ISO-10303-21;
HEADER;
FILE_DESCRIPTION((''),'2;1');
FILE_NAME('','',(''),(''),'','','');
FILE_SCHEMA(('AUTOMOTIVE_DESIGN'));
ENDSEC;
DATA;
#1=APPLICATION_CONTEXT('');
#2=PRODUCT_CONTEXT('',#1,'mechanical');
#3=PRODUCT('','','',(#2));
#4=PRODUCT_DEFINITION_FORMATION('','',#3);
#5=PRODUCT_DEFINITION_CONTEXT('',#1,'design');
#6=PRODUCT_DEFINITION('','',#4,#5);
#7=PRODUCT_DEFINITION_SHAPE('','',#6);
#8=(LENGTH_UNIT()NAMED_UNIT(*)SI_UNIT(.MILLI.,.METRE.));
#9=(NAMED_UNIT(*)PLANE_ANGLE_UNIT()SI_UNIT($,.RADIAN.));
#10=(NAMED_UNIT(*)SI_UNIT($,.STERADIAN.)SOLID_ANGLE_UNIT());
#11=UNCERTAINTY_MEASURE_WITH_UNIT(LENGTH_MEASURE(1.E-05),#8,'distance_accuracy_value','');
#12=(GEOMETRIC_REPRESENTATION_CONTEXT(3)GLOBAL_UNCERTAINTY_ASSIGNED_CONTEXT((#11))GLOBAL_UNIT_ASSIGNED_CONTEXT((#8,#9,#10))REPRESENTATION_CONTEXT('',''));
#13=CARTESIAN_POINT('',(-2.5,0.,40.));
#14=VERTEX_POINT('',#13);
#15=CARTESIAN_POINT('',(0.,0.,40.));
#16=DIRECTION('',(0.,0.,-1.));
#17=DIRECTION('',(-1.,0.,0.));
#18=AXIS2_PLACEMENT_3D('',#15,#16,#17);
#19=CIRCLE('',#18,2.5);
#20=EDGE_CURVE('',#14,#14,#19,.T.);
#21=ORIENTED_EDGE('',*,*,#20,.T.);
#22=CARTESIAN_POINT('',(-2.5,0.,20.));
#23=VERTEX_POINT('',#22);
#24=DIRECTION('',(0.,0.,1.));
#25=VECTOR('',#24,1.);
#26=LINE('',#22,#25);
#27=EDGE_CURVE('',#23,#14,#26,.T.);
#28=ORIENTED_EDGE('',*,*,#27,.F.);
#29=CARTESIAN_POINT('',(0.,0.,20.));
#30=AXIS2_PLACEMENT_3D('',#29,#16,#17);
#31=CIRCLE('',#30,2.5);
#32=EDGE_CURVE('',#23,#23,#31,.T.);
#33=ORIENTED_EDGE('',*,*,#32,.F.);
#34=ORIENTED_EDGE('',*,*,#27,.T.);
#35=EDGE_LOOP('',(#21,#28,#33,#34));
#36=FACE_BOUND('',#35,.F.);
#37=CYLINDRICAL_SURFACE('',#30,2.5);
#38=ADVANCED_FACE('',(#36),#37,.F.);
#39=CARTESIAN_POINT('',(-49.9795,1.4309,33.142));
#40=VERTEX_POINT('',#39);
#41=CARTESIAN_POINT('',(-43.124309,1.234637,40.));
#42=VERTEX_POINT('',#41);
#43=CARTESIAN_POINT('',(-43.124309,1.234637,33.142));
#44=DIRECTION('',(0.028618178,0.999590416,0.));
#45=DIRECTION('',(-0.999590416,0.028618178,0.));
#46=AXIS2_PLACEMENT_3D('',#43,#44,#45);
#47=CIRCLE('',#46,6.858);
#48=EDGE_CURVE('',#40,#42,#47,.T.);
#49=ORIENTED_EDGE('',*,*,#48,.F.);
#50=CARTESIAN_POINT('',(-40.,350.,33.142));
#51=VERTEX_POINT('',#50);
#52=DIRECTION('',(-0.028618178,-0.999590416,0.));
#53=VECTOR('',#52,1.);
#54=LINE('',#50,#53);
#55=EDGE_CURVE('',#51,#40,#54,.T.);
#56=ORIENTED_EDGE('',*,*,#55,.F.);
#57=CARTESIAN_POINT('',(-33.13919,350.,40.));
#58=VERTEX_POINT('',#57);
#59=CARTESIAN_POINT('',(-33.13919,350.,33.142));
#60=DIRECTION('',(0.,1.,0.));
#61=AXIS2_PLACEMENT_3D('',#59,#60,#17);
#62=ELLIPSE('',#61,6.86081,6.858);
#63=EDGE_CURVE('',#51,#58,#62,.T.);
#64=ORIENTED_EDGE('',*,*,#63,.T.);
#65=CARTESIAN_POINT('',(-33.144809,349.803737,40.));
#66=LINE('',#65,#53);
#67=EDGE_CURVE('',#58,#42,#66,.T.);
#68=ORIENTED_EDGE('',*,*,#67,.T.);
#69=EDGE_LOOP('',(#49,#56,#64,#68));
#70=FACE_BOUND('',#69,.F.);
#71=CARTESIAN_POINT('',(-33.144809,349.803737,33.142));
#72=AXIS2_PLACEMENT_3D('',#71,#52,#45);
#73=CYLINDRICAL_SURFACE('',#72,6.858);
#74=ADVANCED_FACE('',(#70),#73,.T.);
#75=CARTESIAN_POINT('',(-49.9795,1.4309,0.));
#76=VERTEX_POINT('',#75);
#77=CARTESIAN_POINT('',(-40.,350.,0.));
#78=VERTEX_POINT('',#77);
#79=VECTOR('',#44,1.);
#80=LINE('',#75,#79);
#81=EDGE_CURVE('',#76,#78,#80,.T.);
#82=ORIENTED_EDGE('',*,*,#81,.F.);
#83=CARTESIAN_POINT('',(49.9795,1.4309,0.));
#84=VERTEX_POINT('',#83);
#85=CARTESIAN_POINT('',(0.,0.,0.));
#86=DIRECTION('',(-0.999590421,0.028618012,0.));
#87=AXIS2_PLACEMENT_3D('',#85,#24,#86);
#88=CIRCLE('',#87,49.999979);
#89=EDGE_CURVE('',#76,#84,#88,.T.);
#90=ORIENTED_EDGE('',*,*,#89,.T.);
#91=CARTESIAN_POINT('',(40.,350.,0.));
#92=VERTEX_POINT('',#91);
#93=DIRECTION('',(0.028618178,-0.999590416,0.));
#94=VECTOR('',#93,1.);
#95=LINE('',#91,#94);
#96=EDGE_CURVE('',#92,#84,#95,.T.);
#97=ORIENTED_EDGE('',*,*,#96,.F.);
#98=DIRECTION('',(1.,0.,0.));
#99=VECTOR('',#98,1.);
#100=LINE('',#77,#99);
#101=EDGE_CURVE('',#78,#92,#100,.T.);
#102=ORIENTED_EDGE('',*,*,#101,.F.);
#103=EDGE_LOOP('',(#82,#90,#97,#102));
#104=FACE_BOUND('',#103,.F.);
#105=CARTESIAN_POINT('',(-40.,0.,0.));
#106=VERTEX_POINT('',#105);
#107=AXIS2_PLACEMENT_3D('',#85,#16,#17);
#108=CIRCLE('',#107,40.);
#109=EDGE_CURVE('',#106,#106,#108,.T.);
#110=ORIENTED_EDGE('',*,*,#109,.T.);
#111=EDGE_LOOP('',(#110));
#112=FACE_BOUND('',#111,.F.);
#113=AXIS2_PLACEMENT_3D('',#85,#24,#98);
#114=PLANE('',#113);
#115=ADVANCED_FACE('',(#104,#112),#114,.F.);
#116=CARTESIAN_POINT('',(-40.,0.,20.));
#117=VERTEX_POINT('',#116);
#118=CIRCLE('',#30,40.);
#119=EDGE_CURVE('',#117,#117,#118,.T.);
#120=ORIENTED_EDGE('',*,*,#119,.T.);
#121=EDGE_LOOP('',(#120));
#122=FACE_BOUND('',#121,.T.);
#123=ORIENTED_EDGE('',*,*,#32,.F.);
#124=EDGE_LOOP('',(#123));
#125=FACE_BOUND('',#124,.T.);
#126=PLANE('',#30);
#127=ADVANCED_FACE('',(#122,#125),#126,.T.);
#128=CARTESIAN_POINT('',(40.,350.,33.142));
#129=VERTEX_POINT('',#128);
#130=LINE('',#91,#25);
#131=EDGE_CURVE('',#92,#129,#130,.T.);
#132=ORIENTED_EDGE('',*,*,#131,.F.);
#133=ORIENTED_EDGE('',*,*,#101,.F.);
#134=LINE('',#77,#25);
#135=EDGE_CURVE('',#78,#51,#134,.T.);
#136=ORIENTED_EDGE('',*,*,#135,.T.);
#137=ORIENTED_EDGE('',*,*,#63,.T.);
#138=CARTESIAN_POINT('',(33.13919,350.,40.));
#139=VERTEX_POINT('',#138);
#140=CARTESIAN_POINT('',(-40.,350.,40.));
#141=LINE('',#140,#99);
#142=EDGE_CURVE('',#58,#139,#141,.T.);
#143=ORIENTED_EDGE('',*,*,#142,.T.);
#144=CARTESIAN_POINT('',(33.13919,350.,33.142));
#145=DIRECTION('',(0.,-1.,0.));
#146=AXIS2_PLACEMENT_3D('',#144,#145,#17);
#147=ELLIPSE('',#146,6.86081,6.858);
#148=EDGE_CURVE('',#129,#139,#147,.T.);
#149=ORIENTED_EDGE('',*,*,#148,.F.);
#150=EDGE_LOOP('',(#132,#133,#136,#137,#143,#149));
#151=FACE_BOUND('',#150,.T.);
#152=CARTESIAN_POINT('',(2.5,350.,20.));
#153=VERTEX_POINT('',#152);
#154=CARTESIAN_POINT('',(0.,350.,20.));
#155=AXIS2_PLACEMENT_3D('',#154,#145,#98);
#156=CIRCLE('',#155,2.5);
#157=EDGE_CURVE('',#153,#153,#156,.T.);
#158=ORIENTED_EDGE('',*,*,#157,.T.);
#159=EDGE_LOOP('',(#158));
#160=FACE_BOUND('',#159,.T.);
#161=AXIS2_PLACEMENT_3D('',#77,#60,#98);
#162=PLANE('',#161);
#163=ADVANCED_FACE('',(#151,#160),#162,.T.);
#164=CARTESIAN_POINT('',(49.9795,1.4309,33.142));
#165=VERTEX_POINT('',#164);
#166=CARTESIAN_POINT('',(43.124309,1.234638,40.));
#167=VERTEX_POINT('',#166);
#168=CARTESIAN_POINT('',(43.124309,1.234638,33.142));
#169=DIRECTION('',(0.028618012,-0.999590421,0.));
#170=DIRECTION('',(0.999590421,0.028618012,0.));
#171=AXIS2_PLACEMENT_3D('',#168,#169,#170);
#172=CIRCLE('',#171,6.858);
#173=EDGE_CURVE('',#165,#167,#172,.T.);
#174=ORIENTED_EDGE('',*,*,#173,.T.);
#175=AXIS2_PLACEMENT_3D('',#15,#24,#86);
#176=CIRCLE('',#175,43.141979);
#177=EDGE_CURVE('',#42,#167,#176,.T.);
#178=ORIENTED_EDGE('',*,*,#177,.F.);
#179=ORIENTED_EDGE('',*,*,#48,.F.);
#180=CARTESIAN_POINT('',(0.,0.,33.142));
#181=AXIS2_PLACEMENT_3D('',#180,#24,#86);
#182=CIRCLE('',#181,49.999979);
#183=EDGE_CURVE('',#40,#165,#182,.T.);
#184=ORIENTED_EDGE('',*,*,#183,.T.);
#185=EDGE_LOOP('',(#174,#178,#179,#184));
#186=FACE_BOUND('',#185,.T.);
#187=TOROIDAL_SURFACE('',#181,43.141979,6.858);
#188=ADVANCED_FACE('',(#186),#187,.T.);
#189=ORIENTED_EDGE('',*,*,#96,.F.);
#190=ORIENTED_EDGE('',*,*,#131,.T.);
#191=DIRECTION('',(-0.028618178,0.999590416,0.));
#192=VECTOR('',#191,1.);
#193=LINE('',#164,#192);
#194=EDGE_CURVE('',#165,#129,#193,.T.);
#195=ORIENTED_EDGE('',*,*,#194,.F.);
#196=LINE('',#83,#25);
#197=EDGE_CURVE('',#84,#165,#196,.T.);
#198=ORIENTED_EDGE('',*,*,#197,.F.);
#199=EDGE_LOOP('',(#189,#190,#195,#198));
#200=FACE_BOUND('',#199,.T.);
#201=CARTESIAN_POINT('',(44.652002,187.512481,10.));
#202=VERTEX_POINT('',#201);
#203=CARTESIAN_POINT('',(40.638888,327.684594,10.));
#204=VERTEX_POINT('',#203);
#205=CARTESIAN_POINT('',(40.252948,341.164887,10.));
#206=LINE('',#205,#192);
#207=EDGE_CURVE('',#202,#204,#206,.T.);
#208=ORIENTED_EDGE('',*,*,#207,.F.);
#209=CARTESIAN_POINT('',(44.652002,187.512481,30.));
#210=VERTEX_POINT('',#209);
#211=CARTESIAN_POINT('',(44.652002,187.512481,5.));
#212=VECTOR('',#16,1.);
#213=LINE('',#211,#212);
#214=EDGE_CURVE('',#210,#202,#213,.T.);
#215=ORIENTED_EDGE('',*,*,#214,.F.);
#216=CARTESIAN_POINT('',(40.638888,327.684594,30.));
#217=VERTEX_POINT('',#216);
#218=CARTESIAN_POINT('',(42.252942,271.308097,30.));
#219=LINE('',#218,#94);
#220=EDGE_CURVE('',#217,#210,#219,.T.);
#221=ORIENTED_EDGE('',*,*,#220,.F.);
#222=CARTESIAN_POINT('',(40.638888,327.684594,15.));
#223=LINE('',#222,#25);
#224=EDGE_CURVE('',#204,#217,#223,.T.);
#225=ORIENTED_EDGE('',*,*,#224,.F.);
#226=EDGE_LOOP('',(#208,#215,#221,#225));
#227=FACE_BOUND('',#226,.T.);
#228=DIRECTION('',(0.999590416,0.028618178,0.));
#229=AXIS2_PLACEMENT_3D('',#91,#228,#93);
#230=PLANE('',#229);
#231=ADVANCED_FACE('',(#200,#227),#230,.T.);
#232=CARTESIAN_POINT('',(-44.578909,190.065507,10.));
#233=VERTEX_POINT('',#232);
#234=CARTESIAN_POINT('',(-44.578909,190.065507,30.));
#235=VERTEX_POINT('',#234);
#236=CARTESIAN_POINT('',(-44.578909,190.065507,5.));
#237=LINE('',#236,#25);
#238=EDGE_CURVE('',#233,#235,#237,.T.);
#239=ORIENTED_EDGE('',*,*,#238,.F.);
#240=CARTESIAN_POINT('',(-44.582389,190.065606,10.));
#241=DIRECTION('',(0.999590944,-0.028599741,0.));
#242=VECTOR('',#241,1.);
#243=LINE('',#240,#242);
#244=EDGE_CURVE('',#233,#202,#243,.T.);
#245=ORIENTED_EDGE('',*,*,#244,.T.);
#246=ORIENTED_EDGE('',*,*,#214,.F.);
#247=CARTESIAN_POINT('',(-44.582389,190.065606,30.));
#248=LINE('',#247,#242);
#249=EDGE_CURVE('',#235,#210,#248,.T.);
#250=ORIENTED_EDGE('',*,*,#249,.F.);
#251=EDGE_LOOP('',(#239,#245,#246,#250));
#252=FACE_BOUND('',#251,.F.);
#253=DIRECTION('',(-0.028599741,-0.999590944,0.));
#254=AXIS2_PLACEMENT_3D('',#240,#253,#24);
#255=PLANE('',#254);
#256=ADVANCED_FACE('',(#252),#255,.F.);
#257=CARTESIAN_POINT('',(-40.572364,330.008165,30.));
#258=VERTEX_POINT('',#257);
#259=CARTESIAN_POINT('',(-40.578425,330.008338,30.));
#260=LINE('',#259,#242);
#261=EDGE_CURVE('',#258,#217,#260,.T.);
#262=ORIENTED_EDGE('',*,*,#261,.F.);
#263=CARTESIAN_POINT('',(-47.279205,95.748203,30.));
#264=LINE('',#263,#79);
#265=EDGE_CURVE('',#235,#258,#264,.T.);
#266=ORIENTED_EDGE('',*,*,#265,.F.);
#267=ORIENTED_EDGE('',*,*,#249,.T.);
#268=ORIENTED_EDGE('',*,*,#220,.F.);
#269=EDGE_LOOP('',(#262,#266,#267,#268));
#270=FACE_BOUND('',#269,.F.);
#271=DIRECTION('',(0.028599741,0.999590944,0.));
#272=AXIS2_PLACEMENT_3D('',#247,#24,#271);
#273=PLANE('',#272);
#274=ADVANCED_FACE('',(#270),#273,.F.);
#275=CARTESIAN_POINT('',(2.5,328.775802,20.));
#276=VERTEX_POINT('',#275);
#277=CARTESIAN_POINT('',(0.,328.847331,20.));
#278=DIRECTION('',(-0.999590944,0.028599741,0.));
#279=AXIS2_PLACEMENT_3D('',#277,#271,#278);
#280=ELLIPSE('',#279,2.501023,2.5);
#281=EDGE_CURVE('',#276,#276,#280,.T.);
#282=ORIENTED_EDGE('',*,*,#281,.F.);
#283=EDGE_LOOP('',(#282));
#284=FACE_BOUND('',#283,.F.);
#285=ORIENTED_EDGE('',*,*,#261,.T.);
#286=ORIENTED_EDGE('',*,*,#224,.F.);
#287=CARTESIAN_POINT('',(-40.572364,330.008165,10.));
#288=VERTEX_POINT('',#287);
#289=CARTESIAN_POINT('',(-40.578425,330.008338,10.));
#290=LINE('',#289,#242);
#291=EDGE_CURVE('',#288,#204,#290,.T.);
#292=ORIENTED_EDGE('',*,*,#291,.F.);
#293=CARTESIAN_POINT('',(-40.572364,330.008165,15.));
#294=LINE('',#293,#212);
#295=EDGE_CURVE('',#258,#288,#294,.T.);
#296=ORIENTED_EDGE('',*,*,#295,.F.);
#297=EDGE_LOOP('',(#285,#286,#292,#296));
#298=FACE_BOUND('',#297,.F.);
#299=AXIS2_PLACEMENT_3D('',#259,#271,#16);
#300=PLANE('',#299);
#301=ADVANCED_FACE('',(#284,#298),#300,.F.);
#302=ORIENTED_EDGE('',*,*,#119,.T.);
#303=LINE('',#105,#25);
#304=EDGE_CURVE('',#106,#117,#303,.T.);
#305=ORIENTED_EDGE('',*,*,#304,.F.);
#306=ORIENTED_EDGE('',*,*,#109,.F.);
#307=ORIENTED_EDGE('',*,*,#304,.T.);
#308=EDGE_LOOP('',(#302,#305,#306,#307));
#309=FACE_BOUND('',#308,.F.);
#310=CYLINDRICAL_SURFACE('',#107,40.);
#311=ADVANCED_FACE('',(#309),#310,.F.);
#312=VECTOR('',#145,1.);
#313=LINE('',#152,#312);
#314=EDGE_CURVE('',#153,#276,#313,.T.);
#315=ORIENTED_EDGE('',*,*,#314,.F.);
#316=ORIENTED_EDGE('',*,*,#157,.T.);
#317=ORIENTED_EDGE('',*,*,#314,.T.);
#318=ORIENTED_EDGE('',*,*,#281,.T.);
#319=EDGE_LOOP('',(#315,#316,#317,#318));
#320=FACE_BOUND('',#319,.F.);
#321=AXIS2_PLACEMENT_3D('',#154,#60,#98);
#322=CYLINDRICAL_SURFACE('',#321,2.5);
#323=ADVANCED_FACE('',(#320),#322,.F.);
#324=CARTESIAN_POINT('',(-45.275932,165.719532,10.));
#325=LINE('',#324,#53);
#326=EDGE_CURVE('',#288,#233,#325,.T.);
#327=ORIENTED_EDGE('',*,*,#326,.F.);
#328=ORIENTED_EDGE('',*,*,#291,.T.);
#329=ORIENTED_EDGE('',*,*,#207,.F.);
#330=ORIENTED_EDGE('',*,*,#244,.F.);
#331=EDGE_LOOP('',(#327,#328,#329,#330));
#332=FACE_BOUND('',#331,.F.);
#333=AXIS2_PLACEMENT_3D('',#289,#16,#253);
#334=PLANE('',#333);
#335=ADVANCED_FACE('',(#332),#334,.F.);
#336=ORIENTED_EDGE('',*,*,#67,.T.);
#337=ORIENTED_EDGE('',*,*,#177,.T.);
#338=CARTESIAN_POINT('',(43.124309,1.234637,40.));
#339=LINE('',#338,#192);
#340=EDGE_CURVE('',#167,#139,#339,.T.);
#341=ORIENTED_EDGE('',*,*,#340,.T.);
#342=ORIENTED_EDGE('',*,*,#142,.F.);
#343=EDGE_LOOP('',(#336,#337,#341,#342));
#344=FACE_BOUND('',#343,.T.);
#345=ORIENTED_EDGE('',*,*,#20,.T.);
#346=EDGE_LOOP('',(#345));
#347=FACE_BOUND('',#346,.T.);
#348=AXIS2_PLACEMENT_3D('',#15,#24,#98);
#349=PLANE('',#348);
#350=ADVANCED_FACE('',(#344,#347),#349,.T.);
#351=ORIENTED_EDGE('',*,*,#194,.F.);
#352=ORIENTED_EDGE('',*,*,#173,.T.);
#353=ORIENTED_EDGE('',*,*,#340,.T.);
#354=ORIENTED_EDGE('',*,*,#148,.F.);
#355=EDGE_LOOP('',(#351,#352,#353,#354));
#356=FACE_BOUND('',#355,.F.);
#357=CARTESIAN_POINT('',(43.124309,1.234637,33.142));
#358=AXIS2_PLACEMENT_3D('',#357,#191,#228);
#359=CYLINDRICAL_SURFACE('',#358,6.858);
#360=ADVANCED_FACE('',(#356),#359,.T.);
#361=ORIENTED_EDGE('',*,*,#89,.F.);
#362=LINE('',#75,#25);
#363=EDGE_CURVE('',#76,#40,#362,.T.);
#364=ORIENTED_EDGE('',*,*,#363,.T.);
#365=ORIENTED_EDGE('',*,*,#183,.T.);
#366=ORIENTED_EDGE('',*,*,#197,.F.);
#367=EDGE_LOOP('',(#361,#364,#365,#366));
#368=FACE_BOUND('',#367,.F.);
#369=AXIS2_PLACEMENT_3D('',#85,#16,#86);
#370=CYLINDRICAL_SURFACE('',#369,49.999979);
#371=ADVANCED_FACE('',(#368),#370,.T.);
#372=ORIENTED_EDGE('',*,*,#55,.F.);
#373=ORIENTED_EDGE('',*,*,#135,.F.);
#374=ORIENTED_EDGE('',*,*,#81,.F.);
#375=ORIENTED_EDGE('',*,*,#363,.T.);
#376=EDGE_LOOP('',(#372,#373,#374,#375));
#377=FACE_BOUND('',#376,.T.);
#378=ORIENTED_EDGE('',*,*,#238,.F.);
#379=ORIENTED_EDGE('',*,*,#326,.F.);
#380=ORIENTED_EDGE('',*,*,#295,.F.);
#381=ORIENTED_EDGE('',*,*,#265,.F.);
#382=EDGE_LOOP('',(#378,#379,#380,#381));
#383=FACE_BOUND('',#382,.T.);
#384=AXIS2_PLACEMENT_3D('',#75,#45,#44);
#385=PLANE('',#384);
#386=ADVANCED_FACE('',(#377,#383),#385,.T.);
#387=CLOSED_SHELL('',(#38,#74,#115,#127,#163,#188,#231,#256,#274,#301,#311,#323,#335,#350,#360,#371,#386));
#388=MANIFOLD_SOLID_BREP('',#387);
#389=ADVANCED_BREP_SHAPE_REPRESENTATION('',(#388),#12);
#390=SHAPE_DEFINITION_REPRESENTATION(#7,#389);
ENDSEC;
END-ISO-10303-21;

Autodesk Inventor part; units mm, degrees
ref_plane "YZ Plane" through (0, 0, 0) normal (1, 0, 0) x (0, 1, 0)
ref_plane "XZ Plane" through (0, 0, 0) normal (0, 1, 0) x (-1, 0, 0)
sketch "Sketch1" plane through (0, 0, 0) normal (0, 0, 1) x (1, 0, 0)
  arc A0 (-49.9795, 1.4309) -> (49.9795, 1.4309) centre (0, 0) ccw
  line L0 (-49.9795, 1.4309) -> (-40, 350)
  line L1 (-40, 350) -> (40, 350)
  line L2 (40, 350) -> (49.9795, 1.4309)
  point P0 (0, 350)
  dimension "d0" = 100
  dimension "d1" = 350
  dimension "d2" = 80
extrude "Extrusion1" add sketch "Sketch1" along normal blind 40
sketch "Sketch2" plane through (0, 0, 0) normal (0, 0, -1) x (-1, 0, 0)
  circle A0 centre (0, 0) radius 40
  dimension "d5" = 80
extrude "Extrusion2" cut sketch "Sketch2" against normal blind 20
sketch "Sketch3" plane through (0, 0, 20) normal (0, 0, -1) x (-1, 0, 0)
  circle A0 centre (0, 0) radius 2.5
  dimension "d8" = 5
extrude "Extrusion3" cut sketch "Sketch3" against normal blind 20
sketch "Sketch4" plane through (40, 350, 40) normal (0.9996, 0.0286, 0) x (0, 0, -1)
  point P0 (40, -348.7119)
ref_plane "Work Plane1" through (-49.9795, 1.4309, 0) normal (-0.9996, 0.0286, 0) x (-0.0286, -0.9996, 0)
sketch "Sketch5" plane through (-49.9795, 1.4309, 0) normal (-0.9996, 0.0286, 0) x (-0.0286, -0.9996, 0)
  point P0 (0, 0)
sketch "Sketch6" plane through (-49.9795, 1.4309, 0) normal (-0.9996, 0.0286, 0) x (-0.0286, -0.9996, 0)
  line L0 (0, -8) -> (0, 48) projected
  line L1 (-348.7119, 40) -> (0, 40) projected
  line L2 (-348.7119, 0) -> (0, 0) projected
  line L3 (-188.7119, 30) -> (-328.7119, 30)
  line L4 (-328.7119, 30) -> (-328.7119, 10)
  line L5 (-328.7119, 10) -> (-188.7119, 10)
  line L6 (-188.7119, 10) -> (-188.7119, 30)
  line L7 (-348.7119, 0) -> (-348.7119, 40) projected
  point P0 (-348.7119, 20)
  point P1 (-328.7119, 20)
  dimension "d12" = 20
  dimension "d13" = 20
  dimension "d14" = 140
  dimension "d15" = 20
extrude "Extrusion4" cut sketch "Sketch6" against normal through all contours L6 L5 L4 L3
sketch "Sketch7" plane through (-40, 350, 0) normal (0, 1, 0) x (1, 0, 0)
  line L0 (0, -20) -> (80, -20) projected
  circle A0 centre (40, -20) radius 2.5
  point P0 (40, 0)
  dimension "d18" = 5
extrude "Extrusion5" cut sketch "Sketch7" against normal blind 30
fillet "Fillet1" radius 6.858 3 edges at (0, -50, 40) (44.9898, 175.7155, 40) (-44.9898, 175.7155, 40)
properties part number "Robot_arm_2"
